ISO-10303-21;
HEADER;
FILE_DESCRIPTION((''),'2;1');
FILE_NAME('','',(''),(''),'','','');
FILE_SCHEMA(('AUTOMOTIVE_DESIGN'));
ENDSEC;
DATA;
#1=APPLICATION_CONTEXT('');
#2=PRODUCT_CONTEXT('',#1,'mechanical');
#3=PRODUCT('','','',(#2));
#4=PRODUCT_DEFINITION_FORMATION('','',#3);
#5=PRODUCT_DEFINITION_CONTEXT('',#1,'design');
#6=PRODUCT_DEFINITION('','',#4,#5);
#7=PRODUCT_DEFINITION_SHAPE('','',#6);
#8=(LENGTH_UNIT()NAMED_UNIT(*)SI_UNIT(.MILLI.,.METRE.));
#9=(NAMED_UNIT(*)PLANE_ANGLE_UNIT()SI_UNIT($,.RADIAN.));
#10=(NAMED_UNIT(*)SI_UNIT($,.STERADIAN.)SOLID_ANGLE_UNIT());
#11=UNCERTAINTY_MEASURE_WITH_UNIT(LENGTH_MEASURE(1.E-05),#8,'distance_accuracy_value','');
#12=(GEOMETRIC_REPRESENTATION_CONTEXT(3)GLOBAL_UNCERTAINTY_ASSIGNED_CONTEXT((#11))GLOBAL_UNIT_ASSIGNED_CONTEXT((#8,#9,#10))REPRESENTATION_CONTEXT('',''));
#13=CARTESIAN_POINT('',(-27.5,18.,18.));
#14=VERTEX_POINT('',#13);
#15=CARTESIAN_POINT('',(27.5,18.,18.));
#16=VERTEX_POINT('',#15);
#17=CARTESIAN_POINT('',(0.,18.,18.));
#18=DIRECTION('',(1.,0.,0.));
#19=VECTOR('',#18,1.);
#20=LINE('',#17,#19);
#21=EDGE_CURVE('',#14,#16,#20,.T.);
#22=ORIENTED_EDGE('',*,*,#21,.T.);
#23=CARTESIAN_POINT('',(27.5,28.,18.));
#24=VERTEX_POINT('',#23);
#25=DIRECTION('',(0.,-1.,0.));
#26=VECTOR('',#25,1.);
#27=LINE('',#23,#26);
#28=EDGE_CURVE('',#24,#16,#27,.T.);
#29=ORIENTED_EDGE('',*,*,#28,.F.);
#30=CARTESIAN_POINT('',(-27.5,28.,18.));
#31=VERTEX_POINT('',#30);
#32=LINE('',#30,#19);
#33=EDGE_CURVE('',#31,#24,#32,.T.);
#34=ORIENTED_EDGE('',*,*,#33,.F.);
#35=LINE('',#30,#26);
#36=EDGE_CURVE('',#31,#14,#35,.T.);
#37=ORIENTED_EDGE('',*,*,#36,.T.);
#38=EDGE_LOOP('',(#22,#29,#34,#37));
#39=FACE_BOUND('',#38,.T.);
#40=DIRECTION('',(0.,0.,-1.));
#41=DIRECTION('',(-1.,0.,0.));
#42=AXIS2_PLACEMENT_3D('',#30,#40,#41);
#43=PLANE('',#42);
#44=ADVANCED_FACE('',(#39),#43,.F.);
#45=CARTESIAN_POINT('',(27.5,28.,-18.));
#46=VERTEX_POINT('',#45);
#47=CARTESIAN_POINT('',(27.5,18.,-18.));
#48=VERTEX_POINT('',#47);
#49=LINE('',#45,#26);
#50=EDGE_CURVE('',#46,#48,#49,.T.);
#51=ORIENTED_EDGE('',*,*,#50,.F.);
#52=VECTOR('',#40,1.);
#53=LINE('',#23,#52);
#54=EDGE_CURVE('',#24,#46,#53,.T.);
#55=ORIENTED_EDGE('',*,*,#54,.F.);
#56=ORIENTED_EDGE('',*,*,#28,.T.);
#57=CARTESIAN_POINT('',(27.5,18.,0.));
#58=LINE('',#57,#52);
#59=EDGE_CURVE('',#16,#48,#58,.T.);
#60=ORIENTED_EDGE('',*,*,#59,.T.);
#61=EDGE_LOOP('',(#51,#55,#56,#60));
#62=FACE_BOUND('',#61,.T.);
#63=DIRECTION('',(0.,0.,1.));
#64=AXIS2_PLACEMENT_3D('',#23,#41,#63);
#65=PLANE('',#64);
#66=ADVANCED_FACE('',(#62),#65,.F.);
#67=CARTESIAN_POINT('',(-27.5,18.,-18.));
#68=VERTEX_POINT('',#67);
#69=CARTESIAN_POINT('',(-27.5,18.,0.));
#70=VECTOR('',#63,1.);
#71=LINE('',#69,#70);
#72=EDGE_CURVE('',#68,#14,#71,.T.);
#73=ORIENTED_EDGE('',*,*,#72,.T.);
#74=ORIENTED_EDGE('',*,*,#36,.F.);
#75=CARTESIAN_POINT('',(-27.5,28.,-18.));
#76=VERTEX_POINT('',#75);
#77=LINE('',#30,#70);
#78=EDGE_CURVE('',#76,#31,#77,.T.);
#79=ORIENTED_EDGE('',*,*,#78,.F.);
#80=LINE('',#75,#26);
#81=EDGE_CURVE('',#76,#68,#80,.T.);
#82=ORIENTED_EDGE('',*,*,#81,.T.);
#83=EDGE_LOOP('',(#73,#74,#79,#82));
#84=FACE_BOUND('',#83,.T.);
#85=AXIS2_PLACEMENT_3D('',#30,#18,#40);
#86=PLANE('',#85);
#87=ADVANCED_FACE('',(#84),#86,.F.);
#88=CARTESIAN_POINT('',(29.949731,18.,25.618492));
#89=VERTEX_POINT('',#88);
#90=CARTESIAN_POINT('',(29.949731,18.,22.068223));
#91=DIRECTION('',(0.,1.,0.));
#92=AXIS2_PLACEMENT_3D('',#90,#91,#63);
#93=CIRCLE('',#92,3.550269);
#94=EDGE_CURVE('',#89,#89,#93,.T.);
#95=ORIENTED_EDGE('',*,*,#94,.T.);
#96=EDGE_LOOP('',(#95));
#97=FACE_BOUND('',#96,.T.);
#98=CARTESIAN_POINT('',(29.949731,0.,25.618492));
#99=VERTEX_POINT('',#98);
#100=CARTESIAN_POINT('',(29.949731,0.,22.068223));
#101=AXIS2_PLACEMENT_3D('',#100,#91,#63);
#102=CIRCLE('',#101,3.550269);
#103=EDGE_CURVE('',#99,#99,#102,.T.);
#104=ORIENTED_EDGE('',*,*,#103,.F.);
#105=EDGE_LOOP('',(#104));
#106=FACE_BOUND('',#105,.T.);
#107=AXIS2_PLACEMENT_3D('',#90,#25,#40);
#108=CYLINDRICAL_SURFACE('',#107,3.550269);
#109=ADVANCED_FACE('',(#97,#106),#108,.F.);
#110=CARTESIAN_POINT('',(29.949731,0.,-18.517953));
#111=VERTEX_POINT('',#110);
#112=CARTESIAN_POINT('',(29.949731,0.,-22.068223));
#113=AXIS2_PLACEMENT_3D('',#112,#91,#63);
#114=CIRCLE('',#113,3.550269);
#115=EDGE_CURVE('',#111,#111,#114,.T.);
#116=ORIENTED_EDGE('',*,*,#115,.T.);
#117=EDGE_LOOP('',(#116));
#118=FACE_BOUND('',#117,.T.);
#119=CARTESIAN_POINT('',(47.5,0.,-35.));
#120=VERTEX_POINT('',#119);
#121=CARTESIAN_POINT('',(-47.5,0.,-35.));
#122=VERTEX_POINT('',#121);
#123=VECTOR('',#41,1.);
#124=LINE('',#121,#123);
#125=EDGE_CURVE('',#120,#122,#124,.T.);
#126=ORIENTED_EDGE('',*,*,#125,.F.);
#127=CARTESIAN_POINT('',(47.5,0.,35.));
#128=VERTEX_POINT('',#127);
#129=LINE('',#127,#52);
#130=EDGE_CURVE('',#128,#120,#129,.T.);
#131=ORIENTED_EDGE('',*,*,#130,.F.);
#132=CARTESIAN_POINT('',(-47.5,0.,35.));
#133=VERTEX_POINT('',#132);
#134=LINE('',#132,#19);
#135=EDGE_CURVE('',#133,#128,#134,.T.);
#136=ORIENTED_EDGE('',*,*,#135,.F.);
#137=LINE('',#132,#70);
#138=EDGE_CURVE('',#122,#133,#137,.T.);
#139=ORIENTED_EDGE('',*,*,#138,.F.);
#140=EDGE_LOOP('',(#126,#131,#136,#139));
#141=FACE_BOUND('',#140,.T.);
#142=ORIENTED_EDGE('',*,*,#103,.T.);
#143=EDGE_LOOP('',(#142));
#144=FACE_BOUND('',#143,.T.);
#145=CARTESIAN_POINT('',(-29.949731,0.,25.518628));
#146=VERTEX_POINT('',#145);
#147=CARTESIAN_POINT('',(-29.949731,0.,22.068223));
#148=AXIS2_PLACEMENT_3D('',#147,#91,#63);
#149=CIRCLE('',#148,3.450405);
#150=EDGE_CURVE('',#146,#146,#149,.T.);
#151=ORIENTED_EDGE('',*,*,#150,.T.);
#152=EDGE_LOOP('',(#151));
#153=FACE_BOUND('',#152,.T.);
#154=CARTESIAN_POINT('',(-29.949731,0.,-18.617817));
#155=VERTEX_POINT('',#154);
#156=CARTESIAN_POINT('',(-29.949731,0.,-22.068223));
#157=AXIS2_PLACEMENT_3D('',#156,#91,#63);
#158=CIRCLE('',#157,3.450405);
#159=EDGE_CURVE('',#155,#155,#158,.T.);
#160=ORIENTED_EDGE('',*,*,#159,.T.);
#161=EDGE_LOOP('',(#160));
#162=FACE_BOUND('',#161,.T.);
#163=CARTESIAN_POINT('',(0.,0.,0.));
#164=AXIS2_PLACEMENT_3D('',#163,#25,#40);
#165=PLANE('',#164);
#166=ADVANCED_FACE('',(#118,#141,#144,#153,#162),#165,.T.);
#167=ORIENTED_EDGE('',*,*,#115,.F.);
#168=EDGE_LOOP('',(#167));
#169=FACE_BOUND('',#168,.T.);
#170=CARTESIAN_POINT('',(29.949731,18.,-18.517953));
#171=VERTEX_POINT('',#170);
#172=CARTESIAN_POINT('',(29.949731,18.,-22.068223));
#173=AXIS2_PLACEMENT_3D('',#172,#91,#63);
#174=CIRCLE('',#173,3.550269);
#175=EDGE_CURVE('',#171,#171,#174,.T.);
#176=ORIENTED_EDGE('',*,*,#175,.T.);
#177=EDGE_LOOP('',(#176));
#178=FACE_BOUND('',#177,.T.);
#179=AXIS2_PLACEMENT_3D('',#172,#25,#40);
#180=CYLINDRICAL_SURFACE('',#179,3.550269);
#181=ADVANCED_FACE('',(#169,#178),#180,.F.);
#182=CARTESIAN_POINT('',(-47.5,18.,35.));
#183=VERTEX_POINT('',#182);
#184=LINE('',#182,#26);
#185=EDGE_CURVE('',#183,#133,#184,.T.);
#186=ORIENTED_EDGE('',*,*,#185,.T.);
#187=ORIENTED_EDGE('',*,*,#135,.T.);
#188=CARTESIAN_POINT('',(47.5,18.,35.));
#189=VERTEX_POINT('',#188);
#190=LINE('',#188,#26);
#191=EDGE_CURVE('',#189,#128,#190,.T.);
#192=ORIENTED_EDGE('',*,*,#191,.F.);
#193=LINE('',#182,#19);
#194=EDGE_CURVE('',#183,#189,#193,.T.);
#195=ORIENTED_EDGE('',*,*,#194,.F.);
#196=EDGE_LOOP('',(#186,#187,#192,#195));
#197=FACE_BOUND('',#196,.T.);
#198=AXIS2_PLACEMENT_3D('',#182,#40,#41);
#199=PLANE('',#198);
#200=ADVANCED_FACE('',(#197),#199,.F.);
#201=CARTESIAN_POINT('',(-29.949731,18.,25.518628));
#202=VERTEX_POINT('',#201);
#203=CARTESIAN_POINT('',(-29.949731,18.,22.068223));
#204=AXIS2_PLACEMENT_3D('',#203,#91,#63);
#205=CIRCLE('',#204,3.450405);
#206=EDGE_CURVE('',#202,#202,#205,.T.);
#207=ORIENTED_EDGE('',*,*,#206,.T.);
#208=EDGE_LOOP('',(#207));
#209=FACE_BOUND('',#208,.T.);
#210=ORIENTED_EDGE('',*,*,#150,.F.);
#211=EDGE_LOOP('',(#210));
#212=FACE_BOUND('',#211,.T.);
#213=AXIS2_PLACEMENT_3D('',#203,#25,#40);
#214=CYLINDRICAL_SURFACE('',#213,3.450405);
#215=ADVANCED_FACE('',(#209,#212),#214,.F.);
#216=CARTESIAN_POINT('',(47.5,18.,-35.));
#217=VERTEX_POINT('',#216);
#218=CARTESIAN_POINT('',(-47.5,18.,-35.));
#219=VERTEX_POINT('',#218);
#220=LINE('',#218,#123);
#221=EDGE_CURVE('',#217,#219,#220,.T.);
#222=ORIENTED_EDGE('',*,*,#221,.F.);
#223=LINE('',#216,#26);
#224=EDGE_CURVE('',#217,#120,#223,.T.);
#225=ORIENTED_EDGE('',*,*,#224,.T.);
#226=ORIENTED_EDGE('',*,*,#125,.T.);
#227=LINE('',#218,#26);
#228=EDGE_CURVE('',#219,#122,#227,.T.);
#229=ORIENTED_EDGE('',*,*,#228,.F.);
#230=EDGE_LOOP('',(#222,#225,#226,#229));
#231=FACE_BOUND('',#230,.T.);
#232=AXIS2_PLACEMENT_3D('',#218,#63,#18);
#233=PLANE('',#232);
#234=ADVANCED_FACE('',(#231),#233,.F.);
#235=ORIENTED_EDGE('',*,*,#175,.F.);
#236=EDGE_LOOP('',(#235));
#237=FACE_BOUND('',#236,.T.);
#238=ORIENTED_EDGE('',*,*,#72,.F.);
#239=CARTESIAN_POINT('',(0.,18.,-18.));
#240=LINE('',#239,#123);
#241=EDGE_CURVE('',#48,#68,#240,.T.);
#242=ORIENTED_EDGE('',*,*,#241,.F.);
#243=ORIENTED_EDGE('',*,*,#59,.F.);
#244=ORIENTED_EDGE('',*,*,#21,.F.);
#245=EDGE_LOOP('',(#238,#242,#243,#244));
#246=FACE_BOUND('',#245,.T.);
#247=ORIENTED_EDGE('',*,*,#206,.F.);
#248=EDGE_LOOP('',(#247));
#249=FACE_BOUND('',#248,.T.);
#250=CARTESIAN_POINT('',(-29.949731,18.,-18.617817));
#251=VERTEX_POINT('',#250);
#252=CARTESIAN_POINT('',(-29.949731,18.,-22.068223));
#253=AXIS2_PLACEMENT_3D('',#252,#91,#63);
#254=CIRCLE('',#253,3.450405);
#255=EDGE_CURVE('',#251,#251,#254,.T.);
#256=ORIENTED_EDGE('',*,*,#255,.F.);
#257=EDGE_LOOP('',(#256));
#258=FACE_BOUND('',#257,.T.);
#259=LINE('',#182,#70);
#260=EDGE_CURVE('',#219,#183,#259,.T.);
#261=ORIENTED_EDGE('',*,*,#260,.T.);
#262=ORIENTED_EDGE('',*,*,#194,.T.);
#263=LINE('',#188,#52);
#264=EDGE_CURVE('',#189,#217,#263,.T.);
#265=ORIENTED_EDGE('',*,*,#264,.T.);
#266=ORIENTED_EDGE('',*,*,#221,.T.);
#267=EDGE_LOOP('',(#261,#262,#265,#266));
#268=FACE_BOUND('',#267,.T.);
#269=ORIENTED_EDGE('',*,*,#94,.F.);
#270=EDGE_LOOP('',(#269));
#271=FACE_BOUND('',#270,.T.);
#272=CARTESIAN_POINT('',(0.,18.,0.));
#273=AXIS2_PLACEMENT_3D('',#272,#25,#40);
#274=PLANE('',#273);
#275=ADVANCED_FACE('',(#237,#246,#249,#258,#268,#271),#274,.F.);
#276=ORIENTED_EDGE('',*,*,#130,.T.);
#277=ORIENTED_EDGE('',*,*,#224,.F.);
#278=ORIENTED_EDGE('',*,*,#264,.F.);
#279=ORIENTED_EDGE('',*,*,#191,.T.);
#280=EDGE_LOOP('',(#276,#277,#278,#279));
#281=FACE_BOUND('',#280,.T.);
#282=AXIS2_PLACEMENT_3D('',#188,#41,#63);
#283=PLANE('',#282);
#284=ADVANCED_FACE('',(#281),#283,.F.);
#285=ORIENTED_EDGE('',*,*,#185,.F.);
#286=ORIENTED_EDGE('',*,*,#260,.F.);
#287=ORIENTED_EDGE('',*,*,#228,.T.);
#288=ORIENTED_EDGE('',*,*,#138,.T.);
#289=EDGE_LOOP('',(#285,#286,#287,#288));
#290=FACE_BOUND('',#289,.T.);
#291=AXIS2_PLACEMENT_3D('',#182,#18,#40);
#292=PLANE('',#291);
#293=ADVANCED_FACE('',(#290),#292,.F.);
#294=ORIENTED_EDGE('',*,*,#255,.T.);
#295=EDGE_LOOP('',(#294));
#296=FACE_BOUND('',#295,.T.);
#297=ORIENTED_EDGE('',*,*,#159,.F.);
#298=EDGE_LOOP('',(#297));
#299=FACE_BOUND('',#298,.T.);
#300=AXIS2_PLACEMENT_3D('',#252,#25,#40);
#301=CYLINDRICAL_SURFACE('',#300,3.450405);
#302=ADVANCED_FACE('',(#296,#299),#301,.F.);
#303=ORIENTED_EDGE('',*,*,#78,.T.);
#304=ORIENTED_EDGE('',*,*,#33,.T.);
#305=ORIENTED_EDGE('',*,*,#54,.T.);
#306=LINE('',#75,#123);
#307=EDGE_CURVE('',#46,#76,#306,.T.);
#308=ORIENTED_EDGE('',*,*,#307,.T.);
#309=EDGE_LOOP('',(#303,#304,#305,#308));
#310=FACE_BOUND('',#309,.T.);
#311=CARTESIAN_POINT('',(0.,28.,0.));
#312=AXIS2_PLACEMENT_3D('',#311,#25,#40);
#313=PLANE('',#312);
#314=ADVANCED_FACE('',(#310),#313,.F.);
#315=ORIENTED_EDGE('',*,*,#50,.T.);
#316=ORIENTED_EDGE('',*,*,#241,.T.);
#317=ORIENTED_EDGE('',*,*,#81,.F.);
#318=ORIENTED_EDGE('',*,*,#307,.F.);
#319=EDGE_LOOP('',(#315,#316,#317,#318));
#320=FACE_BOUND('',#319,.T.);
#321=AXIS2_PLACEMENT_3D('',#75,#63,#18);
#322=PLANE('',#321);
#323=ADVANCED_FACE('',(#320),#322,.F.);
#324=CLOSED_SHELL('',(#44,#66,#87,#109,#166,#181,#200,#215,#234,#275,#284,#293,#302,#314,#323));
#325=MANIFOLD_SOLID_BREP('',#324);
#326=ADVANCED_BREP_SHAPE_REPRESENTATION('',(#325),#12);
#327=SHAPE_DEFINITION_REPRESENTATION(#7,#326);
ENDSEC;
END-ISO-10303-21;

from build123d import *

# Parameters (mm, degrees)
F_01_BASE_PROFILE_W           = 95
F_01_BASE_PROFILE_H           = 70
F_01_BASE_PROFILE_R           = 3.450405227
F_01_BASE_PROFILE_R_2         = 3.5502693
F_01_BASE_PROFILE_W_2         = 25
F_01_BASE_PROFILE_H_2         = 28
F_01_BASE_EXTRUDE_DEPTH       = 18
F_02_BOSS_PROFILE_W           = 55
F_02_BOSS_PROFILE_H           = 36
F_02_REINFORCEMENT_BOSS_DEPTH = 28


with BuildPart() as part:
    # 01_Base_Profile → 01_Base_Extrude (new body)
    with BuildSketch(Plane(origin=(0, 0, 0), x_dir=(1, 0, 0), z_dir=(0, 1, 0))):
        Rectangle(F_01_BASE_PROFILE_W, F_01_BASE_PROFILE_H)
        with Locations(Location((-29.9497307, -22.068222621, 0), (0, 0, 270))):
            Circle(F_01_BASE_PROFILE_R, mode=Mode.SUBTRACT)
        with Locations(Location((29.9497307, -22.068222621, 0), (0, 0, 270))):
            Circle(F_01_BASE_PROFILE_R_2, mode=Mode.SUBTRACT)
        with Locations(Location((-29.9497307, 22.068222621, 0), (0, 0, 270))):
            Circle(F_01_BASE_PROFILE_R, mode=Mode.SUBTRACT)
        with Locations(Location((29.9497307, 22.068222621, 0), (0, 0, 270))):
            Circle(F_01_BASE_PROFILE_R_2, mode=Mode.SUBTRACT)
        Rectangle(F_01_BASE_PROFILE_W_2, F_01_BASE_PROFILE_H_2, mode=Mode.SUBTRACT)
    extrude(amount=F_01_BASE_EXTRUDE_DEPTH)

    # 02_Boss_Profile → 02_Reinforcement_Boss (add)
    with BuildSketch(Plane(origin=(0, 0, 0), x_dir=(1, 0, 0), z_dir=(0, 1, 0))):
        Rectangle(F_02_BOSS_PROFILE_W, F_02_BOSS_PROFILE_H)
    extrude(amount=F_02_REINFORCEMENT_BOSS_DEPTH)


solid = part.part
